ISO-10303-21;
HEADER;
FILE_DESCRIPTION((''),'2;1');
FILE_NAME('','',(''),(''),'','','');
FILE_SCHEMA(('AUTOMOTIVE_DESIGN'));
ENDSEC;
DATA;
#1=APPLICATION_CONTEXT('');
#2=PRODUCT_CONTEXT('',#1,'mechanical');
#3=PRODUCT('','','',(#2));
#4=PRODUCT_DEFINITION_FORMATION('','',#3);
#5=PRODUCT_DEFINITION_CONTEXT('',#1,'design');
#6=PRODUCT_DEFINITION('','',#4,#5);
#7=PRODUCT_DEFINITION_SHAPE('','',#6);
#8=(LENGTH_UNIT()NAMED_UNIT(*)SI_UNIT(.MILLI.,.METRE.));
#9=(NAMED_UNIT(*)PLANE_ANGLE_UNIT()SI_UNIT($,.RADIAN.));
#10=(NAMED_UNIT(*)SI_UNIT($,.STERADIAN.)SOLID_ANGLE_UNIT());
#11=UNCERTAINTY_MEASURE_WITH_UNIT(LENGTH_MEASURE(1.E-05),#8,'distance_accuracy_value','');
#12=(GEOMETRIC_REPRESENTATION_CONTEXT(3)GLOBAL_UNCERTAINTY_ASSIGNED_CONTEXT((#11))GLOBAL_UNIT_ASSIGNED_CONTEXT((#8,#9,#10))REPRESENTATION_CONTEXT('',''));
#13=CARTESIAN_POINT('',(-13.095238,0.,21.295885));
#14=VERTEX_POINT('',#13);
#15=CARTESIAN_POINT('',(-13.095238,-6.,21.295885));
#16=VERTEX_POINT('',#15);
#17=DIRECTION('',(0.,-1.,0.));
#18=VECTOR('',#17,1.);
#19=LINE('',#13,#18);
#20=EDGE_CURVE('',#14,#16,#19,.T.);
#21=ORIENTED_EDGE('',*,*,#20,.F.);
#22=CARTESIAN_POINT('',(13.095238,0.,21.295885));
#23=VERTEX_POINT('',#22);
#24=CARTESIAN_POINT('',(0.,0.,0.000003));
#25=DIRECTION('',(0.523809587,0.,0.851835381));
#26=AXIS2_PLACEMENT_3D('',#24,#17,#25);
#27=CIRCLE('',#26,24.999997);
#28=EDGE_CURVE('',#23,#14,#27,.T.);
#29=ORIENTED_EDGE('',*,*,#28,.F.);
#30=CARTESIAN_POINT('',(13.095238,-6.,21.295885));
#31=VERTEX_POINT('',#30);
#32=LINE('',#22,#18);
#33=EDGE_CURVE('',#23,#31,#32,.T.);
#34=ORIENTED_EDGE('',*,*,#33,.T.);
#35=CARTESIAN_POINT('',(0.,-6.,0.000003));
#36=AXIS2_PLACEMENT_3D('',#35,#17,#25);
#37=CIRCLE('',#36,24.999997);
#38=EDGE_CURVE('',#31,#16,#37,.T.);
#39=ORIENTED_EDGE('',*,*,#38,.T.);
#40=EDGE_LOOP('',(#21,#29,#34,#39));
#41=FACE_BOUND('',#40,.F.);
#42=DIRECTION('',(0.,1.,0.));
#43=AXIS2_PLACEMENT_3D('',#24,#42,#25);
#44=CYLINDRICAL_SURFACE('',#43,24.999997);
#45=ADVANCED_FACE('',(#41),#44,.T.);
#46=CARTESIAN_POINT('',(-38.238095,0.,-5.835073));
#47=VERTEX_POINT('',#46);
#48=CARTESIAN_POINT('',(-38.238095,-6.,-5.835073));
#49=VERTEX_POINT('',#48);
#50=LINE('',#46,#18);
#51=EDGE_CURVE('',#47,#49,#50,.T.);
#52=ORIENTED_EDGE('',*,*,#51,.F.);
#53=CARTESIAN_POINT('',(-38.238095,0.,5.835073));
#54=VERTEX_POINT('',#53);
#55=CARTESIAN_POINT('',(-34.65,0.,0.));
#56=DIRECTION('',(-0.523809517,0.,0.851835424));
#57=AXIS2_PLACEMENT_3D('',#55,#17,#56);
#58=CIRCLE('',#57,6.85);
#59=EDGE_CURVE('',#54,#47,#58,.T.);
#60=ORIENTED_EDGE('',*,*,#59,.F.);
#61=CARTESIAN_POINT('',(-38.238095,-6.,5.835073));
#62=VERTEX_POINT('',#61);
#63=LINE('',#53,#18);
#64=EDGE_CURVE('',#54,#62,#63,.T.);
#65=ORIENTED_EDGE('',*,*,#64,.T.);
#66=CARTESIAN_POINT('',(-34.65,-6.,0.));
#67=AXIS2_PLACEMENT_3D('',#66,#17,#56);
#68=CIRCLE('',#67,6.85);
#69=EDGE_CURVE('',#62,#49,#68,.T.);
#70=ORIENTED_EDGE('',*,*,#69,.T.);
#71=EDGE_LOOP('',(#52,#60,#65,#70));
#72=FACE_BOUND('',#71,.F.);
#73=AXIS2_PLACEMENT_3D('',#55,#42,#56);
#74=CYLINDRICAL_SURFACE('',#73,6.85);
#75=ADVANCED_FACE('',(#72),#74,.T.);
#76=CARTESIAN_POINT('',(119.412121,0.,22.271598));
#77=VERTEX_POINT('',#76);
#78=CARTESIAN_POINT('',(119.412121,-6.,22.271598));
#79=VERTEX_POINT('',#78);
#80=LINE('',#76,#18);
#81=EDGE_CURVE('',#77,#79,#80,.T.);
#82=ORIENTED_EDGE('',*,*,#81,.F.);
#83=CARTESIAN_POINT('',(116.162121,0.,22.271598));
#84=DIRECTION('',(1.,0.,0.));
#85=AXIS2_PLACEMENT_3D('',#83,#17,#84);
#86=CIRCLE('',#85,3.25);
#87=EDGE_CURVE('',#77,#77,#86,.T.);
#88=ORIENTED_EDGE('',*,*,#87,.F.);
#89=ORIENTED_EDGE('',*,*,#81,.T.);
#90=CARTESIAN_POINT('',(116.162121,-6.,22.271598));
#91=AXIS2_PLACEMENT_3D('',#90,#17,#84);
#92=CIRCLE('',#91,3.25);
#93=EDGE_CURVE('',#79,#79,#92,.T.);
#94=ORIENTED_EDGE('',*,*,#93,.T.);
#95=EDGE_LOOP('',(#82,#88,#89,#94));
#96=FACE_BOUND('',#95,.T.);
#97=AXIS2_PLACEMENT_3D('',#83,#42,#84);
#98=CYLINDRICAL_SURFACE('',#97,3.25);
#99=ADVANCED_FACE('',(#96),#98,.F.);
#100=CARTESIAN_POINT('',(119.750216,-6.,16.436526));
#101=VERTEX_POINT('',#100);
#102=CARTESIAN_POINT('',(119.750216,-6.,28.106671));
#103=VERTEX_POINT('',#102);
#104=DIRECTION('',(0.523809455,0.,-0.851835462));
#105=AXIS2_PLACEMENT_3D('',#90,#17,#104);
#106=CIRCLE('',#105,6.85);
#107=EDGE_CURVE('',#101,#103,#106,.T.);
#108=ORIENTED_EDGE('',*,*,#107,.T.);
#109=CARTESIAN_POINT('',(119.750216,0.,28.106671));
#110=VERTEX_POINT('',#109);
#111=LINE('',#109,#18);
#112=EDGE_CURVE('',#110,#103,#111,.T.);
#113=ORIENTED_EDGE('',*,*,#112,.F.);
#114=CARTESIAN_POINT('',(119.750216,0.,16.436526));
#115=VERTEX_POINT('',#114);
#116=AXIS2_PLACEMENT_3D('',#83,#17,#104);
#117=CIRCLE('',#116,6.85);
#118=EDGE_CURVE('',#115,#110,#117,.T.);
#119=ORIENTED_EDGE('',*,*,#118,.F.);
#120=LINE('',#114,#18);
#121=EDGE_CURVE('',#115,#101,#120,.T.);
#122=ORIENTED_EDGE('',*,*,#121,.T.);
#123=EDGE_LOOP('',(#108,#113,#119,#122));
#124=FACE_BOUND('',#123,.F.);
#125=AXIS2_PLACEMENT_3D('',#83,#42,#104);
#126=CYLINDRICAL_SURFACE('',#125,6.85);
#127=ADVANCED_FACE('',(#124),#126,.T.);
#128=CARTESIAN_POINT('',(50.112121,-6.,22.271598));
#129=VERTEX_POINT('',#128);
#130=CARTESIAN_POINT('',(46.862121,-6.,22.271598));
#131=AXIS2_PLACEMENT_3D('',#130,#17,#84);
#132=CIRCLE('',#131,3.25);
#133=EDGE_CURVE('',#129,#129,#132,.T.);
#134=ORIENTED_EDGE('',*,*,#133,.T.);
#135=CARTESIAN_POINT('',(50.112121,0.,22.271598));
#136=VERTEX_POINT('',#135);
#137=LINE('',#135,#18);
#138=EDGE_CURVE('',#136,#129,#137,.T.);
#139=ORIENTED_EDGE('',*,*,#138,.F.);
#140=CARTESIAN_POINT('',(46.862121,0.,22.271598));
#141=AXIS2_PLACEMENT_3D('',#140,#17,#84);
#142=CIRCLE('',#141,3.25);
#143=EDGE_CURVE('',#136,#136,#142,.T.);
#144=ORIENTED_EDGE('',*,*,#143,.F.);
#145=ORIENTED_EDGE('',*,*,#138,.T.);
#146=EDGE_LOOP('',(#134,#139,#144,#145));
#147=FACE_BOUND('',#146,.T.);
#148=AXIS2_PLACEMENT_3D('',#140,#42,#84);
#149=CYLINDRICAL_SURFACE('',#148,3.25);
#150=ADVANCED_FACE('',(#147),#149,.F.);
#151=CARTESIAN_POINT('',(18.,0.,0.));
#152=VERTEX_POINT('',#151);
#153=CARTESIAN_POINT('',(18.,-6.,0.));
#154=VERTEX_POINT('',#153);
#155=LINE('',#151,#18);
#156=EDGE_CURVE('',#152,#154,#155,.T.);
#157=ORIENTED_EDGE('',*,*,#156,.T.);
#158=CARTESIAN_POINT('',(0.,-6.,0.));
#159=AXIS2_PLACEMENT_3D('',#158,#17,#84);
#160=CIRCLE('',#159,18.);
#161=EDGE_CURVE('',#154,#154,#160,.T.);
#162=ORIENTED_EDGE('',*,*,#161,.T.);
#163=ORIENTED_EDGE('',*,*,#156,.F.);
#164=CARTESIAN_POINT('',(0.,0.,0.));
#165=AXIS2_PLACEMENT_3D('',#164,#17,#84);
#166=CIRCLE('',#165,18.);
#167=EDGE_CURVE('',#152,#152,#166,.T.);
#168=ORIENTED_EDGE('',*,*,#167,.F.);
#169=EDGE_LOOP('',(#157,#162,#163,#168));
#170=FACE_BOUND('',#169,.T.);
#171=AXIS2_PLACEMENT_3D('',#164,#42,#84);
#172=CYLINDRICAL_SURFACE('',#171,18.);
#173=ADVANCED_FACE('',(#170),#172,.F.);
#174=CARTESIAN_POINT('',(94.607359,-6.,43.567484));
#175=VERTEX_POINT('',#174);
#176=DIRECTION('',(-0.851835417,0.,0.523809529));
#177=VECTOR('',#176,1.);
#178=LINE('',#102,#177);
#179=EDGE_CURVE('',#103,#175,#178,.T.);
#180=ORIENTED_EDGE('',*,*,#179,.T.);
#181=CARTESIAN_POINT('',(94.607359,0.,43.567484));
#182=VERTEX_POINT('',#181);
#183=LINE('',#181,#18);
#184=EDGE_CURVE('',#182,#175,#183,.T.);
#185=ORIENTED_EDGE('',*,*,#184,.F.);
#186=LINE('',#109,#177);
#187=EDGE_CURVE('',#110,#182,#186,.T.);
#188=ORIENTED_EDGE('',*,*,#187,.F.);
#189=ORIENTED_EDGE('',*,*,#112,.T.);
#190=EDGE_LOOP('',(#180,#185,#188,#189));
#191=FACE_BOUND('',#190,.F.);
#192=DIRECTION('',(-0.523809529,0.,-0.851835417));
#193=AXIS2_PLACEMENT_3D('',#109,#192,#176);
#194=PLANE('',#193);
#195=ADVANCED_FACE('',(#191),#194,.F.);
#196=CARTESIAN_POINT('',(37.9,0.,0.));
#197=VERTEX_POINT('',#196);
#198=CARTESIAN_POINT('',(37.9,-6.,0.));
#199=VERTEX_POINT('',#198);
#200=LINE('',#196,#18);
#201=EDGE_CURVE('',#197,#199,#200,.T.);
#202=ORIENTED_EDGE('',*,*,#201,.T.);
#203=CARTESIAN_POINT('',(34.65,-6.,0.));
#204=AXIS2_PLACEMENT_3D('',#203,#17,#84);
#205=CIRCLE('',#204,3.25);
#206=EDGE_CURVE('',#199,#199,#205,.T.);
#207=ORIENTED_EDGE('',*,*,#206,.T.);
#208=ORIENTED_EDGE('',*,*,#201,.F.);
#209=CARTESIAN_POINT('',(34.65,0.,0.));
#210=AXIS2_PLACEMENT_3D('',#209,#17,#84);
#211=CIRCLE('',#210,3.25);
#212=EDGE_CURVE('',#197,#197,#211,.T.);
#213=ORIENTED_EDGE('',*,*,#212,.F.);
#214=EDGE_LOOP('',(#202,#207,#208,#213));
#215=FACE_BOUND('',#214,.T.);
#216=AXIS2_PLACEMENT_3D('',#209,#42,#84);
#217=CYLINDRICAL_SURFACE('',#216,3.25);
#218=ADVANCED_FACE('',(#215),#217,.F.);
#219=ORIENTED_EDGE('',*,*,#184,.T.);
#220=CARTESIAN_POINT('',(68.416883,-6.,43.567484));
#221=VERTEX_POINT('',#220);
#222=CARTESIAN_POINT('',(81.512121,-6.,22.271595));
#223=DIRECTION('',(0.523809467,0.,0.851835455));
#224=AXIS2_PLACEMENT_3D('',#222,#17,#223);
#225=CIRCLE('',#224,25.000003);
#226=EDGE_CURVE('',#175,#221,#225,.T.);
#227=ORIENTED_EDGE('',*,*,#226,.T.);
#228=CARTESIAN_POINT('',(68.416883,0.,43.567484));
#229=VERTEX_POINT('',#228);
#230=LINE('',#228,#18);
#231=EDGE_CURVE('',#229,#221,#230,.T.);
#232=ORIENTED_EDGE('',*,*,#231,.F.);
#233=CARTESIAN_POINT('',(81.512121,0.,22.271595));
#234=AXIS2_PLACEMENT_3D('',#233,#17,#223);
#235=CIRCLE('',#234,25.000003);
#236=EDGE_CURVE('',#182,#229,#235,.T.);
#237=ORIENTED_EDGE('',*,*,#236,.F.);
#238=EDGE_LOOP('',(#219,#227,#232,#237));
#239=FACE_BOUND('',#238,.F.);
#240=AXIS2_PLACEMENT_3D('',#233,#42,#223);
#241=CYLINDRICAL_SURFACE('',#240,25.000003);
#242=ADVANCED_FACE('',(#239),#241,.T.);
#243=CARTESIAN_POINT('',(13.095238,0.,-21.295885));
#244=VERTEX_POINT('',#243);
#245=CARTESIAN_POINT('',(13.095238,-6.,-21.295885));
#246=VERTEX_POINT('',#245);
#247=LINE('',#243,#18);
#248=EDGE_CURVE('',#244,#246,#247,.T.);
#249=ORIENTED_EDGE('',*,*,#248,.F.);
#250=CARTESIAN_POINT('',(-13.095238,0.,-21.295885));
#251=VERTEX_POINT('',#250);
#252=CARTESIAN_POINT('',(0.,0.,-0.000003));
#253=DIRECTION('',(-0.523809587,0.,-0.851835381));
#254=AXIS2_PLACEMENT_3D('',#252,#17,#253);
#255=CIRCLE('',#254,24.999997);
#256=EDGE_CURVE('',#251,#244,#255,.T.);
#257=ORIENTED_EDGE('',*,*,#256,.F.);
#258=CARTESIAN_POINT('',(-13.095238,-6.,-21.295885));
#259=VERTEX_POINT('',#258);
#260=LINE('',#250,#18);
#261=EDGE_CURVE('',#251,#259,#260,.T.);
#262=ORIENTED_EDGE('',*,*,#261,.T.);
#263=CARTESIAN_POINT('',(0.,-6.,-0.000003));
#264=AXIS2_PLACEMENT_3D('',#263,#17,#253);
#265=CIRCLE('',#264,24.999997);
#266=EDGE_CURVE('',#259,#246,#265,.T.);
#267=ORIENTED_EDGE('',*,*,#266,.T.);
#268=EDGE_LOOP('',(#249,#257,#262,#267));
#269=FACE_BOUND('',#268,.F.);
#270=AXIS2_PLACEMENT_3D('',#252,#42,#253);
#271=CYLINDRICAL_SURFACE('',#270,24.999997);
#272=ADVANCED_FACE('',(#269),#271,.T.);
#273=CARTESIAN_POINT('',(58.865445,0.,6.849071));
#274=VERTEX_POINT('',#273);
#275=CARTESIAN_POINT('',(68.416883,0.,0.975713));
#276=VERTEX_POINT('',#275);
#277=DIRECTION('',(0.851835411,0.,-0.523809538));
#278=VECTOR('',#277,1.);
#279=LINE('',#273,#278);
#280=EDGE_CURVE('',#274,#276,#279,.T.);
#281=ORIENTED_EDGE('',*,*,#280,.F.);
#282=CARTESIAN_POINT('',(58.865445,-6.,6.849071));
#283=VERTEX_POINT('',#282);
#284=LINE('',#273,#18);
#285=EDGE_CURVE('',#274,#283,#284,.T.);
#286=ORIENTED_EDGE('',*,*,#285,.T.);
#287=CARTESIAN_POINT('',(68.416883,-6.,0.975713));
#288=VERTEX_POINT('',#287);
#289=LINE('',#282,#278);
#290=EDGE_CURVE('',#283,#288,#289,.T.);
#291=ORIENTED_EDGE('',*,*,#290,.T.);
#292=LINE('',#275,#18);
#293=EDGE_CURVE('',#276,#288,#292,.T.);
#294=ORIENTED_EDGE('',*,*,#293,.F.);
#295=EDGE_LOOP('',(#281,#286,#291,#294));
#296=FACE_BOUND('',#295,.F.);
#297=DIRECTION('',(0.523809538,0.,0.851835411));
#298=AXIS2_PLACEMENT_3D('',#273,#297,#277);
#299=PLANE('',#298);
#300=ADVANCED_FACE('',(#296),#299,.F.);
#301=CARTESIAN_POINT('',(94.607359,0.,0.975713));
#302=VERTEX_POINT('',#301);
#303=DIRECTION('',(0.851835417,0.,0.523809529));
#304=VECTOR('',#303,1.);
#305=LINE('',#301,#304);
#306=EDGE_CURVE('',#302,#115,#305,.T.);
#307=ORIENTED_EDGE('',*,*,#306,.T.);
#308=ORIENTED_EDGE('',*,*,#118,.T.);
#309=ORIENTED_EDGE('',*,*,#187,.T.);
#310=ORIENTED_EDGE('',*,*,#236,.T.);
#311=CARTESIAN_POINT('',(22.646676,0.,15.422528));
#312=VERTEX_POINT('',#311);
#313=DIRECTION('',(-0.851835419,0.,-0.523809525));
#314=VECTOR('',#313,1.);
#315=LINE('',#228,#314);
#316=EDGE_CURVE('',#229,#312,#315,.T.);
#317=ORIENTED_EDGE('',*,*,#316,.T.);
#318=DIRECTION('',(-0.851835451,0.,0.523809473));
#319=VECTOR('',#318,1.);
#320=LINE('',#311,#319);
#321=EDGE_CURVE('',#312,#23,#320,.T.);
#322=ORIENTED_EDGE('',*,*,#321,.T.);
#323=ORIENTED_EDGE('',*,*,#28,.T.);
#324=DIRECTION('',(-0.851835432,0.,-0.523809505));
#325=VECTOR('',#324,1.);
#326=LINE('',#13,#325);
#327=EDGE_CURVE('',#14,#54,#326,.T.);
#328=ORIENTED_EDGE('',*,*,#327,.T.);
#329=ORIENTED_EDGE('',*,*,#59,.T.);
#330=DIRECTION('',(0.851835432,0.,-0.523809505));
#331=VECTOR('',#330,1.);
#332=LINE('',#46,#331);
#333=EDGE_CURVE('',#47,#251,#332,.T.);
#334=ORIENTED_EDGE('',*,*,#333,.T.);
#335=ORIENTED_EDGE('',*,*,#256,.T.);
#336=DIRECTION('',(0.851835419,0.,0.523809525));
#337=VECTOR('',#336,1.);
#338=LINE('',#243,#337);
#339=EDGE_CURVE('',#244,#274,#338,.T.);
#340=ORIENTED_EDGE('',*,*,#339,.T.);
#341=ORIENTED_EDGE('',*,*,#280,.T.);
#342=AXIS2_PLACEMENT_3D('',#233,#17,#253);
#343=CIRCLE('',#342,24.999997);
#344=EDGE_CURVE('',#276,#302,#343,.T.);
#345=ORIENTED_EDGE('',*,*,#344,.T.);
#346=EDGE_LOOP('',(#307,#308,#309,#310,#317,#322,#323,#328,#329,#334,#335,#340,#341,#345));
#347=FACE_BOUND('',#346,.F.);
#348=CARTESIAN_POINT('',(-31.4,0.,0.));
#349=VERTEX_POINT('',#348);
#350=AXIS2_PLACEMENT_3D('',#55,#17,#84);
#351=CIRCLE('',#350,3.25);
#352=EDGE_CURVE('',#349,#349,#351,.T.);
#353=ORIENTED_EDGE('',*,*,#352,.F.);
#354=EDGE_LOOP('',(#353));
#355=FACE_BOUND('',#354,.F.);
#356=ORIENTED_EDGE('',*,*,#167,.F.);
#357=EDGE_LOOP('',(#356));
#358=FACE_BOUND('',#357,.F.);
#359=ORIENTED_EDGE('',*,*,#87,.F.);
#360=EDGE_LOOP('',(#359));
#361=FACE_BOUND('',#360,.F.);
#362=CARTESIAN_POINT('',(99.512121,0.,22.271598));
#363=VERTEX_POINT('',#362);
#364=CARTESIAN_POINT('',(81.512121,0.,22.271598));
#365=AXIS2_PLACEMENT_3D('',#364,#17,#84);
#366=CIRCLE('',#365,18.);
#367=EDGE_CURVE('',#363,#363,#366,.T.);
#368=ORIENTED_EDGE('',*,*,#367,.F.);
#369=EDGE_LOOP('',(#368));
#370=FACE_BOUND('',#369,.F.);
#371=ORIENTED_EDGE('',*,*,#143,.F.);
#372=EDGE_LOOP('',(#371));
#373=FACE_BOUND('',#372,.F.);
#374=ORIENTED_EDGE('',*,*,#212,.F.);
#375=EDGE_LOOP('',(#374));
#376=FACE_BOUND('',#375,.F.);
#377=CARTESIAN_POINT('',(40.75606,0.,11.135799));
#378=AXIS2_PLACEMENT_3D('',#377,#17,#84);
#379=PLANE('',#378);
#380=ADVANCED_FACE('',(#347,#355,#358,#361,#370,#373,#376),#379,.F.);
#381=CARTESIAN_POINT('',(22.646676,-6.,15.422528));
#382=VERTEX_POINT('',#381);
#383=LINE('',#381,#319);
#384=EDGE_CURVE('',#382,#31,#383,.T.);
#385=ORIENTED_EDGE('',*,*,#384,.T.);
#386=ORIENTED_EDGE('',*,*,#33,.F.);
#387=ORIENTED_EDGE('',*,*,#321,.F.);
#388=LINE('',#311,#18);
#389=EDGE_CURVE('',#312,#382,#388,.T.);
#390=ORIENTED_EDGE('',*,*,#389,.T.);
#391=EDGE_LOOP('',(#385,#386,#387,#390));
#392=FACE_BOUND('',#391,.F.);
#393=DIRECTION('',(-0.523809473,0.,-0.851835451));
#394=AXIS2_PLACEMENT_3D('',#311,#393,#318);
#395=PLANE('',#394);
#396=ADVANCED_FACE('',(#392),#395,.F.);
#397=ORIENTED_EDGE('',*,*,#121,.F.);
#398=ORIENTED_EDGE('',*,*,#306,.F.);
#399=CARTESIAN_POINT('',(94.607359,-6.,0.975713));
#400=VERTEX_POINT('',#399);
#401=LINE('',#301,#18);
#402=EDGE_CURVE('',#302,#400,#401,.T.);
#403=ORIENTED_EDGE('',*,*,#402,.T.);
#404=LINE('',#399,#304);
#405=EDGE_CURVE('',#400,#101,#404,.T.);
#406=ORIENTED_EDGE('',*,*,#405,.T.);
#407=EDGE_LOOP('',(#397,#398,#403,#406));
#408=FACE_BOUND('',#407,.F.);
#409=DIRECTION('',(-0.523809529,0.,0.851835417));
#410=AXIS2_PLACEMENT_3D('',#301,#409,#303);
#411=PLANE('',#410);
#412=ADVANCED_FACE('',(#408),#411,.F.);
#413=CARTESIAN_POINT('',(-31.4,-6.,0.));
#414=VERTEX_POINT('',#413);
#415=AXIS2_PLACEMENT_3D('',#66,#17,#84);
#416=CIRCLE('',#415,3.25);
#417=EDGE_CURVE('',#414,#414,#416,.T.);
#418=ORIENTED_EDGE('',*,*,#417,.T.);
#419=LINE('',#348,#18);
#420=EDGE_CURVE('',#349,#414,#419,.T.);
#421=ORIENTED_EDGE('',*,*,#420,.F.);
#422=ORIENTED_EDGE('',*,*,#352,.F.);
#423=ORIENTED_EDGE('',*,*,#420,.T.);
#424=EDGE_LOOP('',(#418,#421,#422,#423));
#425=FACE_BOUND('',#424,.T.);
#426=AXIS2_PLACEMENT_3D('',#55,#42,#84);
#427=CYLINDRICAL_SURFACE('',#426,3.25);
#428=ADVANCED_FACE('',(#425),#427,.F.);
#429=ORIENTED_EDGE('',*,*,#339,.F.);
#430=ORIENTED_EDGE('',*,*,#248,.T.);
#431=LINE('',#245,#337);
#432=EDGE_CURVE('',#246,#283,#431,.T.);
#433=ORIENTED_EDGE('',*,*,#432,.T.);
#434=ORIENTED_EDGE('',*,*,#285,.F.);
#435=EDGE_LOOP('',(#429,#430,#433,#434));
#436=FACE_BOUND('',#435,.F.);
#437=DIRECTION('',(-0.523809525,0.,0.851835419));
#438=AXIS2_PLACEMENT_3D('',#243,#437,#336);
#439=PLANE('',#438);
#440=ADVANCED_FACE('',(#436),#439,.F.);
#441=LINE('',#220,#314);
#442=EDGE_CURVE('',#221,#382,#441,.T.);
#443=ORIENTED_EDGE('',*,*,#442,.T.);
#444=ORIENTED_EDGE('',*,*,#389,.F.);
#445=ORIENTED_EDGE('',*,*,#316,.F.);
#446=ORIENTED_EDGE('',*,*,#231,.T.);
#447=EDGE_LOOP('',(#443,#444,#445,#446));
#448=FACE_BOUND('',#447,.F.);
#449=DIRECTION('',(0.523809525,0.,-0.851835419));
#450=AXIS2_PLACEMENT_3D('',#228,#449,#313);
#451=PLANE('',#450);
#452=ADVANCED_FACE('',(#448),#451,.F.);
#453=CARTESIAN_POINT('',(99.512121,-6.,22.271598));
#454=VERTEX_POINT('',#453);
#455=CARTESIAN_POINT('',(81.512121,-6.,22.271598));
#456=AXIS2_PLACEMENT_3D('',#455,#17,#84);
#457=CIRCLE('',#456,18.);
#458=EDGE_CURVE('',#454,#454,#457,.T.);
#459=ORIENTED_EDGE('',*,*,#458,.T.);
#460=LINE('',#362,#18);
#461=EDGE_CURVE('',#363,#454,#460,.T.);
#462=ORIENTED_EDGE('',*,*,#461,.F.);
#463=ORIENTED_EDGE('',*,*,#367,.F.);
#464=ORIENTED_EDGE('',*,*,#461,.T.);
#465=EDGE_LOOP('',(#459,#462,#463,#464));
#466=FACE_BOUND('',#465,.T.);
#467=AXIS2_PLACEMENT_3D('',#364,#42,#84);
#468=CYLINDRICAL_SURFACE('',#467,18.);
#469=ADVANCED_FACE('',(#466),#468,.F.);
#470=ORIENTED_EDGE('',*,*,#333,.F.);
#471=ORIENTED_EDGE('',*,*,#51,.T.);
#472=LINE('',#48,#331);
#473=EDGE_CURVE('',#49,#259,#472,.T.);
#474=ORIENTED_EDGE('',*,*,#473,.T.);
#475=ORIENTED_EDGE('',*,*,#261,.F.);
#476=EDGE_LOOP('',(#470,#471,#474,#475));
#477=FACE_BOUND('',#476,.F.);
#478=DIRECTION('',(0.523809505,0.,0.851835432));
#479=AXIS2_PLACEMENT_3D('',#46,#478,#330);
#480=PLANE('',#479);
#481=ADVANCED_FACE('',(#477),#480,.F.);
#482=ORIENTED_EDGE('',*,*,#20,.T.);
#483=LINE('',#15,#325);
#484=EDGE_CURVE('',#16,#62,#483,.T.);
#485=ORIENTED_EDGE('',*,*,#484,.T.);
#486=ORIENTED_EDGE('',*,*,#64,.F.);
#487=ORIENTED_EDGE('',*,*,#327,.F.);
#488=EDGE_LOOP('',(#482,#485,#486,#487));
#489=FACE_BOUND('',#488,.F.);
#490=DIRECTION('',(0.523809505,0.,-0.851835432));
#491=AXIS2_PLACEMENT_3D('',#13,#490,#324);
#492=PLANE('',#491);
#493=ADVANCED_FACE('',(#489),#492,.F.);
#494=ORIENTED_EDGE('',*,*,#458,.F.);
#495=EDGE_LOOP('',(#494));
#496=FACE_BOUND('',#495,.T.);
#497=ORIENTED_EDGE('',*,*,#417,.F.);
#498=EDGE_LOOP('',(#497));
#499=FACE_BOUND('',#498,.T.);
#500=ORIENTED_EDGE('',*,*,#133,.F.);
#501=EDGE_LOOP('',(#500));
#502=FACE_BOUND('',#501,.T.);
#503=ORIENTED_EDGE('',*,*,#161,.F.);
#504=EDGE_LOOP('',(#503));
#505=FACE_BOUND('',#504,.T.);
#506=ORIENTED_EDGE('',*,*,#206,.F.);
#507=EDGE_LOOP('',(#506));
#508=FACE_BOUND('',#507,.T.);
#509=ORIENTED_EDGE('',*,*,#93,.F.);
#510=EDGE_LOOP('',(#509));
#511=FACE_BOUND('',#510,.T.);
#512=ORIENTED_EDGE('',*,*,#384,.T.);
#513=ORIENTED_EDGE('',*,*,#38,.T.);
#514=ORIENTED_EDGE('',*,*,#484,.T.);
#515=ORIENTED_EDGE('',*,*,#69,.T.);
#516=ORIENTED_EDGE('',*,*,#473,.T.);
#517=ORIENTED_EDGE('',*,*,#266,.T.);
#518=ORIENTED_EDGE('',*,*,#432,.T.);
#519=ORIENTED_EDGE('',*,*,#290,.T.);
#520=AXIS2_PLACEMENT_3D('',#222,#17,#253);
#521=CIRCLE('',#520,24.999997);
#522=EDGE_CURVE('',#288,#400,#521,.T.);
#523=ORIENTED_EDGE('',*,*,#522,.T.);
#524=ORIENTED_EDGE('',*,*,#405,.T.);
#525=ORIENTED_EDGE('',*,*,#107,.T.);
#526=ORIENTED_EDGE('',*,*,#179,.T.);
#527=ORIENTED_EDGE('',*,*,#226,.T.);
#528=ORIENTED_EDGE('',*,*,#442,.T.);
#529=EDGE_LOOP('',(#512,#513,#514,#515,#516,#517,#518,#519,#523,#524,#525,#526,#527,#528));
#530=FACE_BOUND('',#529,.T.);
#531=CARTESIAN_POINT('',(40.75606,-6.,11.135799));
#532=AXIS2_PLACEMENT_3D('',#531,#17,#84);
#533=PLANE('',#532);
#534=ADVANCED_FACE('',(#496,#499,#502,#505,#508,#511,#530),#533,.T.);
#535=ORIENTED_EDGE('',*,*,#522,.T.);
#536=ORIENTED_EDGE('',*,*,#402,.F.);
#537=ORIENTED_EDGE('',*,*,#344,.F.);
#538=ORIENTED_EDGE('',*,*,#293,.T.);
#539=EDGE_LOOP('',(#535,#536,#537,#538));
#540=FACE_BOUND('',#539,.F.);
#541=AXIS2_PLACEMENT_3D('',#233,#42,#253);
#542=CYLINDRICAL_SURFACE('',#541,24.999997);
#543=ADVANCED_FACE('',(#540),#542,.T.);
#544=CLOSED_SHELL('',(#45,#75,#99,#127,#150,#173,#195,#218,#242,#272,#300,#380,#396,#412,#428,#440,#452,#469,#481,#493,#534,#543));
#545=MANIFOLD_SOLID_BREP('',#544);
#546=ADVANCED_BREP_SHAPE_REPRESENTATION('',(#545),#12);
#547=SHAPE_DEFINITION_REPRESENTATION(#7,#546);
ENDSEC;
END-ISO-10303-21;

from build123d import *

# Parameters (mm, degrees)
F0_R     = 3.25
F0_R_2   = 18
F1_DEPTH = 6


with BuildPart() as f1:
    # F0 (on Front) → F1 (new body)
    with BuildSketch(Plane.XZ):
        with BuildLine():
            Line((-38.238095, -5.835073), (-13.095238, -21.295885))
            ThreePointArc((-13.095238, -21.295885), (0, -25), (13.095238, -21.295885))
            Line((13.095238, -21.295885), (58.865445, 6.849071))
            Line((58.865445, 6.849071), (68.416883, 0.975713))
            ThreePointArc((68.416883, 0.975713), (81.512121, -2.728402), (94.607359, 0.975713))
            Line((94.607359, 0.975713), (119.750216, 16.436526))
            ThreePointArc((119.750216, 16.436526), (123.012121, 22.271598), (119.750216, 28.106671))
            Line((119.750216, 28.106671), (94.607359, 43.567484))
            ThreePointArc((94.607359, 43.567484), (81.512121, 47.271598), (68.416883, 43.567484))
            Line((68.416883, 43.567484), (22.646676, 15.422528))
            Line((22.646676, 15.422528), (13.095238, 21.295885))
            ThreePointArc((13.095238, 21.295885), (0, 25), (-13.095238, 21.295885))
            Line((-13.095238, 21.295885), (-38.238095, 5.835073))
            ThreePointArc((-38.238095, 5.835073), (-41.5, 0), (-38.238095, -5.835073))
        make_face()
        with Locations((-34.65, 0)):
            Circle(F0_R, mode=Mode.SUBTRACT)
        Circle(F0_R_2, mode=Mode.SUBTRACT)
        with Locations((34.65, 0)):
            Circle(F0_R, mode=Mode.SUBTRACT)
        with Locations((46.862121, 22.271598)):
            Circle(F0_R, mode=Mode.SUBTRACT)
        with Locations((81.512121, 22.271598)):
            Circle(F0_R_2, mode=Mode.SUBTRACT)
        with Locations((116.162121, 22.271598)):
            Circle(F0_R, mode=Mode.SUBTRACT)
    extrude(amount=F1_DEPTH)


solid = f1.part
